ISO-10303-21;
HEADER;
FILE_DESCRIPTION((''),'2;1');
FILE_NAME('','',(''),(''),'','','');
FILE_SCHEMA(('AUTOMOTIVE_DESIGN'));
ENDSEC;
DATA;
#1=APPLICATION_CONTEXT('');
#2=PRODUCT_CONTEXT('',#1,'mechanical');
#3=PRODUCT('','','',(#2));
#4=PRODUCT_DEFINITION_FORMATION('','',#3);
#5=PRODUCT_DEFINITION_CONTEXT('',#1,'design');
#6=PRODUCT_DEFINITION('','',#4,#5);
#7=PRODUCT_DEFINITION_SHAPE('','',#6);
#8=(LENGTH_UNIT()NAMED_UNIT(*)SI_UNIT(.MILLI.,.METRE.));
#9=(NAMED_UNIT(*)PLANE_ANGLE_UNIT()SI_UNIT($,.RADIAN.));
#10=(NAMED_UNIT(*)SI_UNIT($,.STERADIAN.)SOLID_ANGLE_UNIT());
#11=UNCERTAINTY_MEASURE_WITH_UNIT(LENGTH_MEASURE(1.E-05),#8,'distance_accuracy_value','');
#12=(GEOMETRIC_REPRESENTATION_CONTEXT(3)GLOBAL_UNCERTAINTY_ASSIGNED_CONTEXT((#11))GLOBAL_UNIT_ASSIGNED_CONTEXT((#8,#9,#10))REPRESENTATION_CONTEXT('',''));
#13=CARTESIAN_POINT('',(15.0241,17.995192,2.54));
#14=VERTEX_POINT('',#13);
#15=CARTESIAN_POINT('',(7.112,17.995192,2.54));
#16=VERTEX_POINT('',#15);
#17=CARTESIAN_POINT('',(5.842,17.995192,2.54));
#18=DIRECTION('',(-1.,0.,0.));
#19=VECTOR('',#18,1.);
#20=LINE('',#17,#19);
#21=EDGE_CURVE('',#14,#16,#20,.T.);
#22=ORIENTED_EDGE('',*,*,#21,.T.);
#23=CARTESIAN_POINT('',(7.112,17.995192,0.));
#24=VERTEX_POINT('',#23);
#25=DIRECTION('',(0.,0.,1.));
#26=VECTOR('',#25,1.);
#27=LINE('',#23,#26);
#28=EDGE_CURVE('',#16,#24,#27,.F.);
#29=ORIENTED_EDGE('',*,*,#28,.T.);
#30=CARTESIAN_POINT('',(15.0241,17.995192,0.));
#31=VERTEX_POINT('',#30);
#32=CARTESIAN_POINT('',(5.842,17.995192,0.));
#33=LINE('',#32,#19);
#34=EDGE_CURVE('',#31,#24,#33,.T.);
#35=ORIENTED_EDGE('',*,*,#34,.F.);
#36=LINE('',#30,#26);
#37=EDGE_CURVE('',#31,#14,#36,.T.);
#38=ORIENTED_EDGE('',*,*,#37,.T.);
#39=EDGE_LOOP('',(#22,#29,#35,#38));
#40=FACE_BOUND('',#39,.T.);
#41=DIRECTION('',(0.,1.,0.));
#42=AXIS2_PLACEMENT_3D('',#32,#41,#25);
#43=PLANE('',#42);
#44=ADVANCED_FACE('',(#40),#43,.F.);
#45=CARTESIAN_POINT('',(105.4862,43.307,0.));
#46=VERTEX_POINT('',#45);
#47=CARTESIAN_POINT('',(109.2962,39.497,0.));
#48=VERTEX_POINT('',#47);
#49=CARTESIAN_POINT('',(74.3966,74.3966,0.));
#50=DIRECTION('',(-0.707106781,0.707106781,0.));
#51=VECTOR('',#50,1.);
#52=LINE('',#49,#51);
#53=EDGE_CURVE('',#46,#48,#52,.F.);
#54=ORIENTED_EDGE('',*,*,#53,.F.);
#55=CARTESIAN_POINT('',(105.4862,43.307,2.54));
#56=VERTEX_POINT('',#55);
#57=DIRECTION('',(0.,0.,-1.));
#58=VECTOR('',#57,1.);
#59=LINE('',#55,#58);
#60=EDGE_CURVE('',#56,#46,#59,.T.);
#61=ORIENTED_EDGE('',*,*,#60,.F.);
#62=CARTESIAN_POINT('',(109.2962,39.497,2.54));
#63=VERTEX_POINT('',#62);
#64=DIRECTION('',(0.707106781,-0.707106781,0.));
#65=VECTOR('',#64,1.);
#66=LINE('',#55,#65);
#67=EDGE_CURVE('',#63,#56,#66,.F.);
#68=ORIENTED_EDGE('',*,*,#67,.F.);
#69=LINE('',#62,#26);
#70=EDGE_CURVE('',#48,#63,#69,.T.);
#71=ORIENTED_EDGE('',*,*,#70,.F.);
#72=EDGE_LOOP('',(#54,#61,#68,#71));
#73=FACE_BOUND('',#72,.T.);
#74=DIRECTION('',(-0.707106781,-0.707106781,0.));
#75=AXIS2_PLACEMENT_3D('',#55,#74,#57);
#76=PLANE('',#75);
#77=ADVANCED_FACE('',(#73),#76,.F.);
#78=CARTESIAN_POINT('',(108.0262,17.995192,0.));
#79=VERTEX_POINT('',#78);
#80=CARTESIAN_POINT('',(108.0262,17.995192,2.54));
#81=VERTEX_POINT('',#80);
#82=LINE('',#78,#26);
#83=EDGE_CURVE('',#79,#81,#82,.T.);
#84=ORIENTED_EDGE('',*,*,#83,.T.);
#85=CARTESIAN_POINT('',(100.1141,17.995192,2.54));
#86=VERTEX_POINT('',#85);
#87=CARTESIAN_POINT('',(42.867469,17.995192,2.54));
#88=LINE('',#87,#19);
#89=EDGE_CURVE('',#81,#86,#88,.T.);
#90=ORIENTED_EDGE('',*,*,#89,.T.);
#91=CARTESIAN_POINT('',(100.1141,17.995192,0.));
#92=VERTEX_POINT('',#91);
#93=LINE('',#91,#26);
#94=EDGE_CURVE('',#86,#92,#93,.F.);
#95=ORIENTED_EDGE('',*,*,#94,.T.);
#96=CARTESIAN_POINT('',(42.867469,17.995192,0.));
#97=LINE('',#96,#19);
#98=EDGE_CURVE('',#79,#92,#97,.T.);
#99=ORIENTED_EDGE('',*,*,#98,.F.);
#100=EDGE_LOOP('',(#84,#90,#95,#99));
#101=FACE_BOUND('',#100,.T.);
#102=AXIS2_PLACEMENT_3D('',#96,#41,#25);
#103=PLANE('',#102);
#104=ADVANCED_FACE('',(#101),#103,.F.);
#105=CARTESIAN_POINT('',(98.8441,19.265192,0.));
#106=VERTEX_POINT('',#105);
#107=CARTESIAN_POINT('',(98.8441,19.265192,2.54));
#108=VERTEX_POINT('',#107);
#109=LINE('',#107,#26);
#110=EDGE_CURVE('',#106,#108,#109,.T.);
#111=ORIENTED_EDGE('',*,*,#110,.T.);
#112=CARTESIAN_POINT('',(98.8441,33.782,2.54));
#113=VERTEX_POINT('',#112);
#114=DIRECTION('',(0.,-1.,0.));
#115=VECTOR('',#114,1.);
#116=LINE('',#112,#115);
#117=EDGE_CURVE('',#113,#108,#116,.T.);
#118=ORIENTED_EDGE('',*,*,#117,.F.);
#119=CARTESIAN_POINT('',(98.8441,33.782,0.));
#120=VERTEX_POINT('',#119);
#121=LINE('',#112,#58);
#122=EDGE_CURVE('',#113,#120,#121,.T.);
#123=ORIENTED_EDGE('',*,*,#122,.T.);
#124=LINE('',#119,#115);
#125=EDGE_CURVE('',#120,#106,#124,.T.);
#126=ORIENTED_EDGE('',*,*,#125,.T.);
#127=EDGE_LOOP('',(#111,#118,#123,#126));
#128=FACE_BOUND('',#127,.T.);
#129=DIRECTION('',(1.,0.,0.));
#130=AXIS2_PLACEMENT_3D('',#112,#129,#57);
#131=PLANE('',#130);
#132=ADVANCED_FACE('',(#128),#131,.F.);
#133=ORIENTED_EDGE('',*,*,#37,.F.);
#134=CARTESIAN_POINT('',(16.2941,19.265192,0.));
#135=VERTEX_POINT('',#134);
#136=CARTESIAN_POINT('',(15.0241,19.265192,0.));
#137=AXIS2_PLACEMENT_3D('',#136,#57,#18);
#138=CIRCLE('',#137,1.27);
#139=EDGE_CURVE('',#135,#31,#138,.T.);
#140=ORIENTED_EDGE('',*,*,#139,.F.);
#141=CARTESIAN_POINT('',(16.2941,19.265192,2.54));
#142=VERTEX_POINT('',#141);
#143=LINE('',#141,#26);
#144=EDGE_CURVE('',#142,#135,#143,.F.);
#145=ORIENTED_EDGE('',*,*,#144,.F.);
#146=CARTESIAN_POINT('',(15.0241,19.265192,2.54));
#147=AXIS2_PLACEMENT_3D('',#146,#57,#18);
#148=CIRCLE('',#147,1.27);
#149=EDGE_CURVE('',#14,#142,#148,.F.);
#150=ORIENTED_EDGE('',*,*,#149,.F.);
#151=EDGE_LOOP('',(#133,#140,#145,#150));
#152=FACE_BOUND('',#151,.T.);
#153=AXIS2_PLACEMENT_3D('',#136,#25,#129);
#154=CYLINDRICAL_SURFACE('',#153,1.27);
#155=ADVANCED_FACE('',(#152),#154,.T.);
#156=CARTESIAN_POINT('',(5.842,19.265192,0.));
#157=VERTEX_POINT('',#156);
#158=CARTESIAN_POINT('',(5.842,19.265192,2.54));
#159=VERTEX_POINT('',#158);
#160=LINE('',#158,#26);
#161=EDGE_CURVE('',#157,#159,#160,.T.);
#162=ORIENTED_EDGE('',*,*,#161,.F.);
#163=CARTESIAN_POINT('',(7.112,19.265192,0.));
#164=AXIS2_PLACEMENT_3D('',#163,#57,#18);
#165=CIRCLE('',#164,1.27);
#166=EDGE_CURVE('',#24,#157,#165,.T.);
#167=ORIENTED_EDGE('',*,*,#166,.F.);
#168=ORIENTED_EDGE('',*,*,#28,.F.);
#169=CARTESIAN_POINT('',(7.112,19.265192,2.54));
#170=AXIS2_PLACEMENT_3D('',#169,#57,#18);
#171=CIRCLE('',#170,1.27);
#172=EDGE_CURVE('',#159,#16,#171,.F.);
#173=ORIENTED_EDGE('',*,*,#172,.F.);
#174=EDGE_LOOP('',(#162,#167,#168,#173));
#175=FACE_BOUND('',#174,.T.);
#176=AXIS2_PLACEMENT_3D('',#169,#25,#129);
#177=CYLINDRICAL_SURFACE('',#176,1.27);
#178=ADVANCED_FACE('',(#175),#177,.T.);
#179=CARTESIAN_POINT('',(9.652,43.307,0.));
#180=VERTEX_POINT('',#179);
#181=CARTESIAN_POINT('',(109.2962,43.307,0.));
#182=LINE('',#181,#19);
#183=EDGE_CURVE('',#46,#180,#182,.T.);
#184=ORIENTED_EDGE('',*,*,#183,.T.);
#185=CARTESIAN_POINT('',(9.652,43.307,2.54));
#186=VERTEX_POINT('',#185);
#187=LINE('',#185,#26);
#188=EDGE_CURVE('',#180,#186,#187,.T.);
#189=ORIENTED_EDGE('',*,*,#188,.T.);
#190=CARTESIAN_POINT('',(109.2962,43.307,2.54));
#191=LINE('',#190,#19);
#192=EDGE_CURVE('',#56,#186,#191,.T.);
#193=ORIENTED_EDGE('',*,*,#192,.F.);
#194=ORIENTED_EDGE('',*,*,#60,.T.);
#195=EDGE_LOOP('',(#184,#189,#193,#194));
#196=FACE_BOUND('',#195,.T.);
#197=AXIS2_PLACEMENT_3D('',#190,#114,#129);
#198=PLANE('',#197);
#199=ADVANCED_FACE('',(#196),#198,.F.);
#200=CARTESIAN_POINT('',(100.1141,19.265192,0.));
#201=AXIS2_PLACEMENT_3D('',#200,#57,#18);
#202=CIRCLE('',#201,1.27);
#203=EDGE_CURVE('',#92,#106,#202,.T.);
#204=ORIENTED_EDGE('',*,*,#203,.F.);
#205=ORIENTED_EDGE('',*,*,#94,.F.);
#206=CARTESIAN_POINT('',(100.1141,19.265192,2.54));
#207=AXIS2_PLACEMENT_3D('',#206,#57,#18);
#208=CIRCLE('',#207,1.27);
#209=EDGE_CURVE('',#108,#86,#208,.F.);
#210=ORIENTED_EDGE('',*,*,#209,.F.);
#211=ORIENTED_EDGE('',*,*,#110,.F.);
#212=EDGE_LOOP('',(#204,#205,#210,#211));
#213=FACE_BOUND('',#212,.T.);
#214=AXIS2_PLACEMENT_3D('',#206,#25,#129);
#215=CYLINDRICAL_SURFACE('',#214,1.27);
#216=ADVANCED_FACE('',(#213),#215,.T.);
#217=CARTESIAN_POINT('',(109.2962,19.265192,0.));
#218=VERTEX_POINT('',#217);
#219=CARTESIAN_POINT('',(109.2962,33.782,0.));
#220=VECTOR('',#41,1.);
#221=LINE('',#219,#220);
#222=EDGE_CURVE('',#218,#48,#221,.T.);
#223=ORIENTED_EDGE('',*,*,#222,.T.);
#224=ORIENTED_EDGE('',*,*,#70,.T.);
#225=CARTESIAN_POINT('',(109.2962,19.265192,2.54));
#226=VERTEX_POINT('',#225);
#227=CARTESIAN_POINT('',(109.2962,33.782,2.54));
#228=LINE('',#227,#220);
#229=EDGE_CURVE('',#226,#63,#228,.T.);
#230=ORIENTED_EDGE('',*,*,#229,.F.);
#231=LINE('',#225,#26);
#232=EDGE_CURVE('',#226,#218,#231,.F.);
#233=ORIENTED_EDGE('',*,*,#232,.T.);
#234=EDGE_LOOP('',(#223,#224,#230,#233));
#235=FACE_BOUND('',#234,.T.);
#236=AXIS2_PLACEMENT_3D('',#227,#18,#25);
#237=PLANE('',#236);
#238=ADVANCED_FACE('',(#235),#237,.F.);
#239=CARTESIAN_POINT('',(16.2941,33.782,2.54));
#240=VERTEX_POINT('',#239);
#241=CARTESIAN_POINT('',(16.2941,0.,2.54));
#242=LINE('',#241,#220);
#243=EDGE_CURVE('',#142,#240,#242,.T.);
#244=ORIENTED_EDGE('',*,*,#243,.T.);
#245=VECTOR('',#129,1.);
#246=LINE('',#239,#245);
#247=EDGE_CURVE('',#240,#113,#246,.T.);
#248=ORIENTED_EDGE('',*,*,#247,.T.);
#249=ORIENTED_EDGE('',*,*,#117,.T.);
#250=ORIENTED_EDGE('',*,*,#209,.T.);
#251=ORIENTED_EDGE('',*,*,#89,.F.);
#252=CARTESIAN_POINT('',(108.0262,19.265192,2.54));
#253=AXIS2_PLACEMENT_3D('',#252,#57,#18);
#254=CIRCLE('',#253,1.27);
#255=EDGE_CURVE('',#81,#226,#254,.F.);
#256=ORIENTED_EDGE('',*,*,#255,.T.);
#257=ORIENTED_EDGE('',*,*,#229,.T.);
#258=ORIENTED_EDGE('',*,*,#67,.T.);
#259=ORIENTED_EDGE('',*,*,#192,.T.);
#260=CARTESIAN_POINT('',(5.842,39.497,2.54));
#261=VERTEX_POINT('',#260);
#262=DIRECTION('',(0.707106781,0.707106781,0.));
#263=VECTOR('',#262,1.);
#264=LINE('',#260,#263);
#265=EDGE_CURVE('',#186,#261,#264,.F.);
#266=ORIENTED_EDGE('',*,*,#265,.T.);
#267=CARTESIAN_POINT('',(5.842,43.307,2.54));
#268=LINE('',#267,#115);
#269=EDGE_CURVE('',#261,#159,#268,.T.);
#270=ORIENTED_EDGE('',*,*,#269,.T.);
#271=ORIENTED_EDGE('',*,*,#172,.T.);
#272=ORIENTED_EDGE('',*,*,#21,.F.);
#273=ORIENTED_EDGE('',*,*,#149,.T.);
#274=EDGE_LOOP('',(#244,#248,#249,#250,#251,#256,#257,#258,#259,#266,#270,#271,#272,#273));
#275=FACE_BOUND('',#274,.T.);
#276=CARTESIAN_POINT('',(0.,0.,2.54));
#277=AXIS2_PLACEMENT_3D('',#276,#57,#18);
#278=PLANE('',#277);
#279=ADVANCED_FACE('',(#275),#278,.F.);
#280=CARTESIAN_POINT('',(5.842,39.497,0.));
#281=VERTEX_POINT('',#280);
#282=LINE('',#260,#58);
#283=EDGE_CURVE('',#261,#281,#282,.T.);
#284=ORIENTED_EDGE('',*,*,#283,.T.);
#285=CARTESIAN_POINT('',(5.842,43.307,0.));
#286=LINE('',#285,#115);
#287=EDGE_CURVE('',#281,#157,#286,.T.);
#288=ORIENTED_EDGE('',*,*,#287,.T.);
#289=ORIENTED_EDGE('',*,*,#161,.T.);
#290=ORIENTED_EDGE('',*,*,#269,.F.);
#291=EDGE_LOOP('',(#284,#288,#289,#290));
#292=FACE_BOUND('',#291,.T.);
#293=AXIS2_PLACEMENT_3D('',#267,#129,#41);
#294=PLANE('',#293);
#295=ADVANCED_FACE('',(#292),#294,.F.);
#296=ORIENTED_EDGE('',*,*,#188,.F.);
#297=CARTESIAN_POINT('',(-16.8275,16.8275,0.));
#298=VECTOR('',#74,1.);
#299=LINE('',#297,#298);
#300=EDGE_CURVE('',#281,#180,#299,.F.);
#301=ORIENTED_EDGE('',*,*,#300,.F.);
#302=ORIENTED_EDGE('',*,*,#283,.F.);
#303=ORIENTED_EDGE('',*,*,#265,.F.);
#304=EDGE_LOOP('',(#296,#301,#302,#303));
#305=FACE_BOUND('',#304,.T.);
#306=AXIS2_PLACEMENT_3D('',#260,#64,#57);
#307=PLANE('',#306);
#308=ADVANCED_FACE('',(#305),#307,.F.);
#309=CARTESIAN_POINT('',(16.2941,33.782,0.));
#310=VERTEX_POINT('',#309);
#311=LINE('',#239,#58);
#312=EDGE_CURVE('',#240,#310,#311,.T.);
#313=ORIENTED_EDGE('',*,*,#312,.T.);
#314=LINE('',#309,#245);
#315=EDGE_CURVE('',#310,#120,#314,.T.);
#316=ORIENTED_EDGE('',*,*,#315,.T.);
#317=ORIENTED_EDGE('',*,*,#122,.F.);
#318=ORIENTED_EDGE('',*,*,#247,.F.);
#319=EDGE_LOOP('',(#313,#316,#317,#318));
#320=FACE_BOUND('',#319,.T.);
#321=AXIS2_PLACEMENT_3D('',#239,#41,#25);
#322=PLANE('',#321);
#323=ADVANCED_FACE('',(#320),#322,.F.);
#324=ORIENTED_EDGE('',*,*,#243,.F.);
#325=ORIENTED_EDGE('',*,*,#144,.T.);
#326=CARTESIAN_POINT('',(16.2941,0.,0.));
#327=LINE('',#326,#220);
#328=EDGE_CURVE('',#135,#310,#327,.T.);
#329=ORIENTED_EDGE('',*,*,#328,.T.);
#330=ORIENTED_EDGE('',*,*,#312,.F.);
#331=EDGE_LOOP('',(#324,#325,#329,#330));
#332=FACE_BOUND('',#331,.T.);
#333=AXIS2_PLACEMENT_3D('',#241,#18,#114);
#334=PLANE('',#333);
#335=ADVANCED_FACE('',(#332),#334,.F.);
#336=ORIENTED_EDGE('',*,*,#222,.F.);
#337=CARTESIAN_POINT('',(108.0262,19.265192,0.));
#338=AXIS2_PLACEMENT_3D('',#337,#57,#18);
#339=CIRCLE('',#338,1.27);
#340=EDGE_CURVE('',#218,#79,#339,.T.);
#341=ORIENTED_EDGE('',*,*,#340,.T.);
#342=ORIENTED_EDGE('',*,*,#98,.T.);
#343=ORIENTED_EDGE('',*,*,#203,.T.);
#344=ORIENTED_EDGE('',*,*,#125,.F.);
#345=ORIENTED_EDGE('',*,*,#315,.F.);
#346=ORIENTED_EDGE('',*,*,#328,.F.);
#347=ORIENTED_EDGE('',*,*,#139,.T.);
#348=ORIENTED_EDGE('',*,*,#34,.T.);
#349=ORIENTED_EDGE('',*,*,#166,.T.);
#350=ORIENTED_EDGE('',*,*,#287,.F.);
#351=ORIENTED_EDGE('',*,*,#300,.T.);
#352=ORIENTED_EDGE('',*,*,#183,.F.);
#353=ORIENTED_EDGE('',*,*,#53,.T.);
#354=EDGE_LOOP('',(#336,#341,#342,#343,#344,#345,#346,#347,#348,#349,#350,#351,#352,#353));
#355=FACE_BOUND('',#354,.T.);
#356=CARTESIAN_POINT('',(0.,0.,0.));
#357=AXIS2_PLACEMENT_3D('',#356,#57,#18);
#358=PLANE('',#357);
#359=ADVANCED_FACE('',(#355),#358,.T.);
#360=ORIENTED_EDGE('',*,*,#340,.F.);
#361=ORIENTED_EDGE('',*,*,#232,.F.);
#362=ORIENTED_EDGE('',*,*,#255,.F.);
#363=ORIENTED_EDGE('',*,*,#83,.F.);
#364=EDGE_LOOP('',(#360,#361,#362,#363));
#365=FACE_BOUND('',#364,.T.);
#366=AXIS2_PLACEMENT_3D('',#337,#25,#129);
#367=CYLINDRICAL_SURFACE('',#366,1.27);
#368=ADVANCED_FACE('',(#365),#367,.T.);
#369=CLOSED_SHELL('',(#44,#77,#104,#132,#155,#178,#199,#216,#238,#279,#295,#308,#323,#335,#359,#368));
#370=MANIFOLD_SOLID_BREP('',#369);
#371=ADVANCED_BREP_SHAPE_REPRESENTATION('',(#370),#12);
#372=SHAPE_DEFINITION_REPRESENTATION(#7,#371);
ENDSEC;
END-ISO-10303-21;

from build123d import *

# Parameters (mm, degrees)
BOSS_EXTRUDE1_DEPTH = 2.54
CHAMFER1_SIZE       = 3.81
CUT_EXTRUDE1_DEPTH  = 124.039639744
CUT_EXTRUDE2_DEPTH  = 124.039639744
FILLET1_R           = 1.27


with BuildPart() as part:
    # Sketch1 → Boss-Extrude1 (new body)
    with BuildSketch(Plane.XY):
        Polygon((5.842, 0), (16.2941, 0), (16.2941, 33.782), (98.8441, 33.782), (98.8441, 0), (109.2962, 0), (109.2962, 2.794), (115.1382, 2.794), (115.1382, 33.782), (109.2962, 33.782), (109.2962, 43.307), (5.842, 43.307), (5.842, 33.782), (0, 33.782), (0, 2.794), (5.842, 2.794), align=None)
    extrude(amount=BOSS_EXTRUDE1_DEPTH)

    # Chamfer1
    chamfer1_edges = [part.edges().sort_by_distance(p)[0] for p in [
        (5.842, 43.307, 1.27),
        (109.2962, 43.307, 1.27),
    ]]
    chamfer(chamfer1_edges, length=CHAMFER1_SIZE)

    # Sketch2 → Cut-Extrude1 (cut, through all)
    with BuildSketch(Plane.XY.offset(2.54)):
        Polygon((0, 33.782), (5.842, 33.782), (5.842, 17.995192435), (16.2941, 17.995192435), (16.2941, -3.098792672), (0, -3.098792672), align=None)
    extrude(amount=-CUT_EXTRUDE1_DEPTH, mode=Mode.SUBTRACT)

    # Sketch3 → Cut-Extrude2 (cut, through all)
    with BuildSketch(Plane.XY.offset(2.54)):
        Polygon((109.2962, 33.782), (115.1382, 33.782), (115.1382, -2.224430595), (98.8441, 0), (42.867468811, 17.995192435), (109.2962, 17.995192435), align=None)
    extrude(amount=-CUT_EXTRUDE2_DEPTH, mode=Mode.SUBTRACT)

    # Fillet1
    fillet1_edges = [part.edges().sort_by_distance(p)[0] for p in [
        (16.2941, 17.995192435, 1.27),
        (5.842, 17.995192435, 1.27),
        (98.8441, 17.995192435, 1.27),
        (109.2962, 17.995192435, 1.27),
    ]]
    fillet(fillet1_edges, radius=FILLET1_R)


solid = part.part
